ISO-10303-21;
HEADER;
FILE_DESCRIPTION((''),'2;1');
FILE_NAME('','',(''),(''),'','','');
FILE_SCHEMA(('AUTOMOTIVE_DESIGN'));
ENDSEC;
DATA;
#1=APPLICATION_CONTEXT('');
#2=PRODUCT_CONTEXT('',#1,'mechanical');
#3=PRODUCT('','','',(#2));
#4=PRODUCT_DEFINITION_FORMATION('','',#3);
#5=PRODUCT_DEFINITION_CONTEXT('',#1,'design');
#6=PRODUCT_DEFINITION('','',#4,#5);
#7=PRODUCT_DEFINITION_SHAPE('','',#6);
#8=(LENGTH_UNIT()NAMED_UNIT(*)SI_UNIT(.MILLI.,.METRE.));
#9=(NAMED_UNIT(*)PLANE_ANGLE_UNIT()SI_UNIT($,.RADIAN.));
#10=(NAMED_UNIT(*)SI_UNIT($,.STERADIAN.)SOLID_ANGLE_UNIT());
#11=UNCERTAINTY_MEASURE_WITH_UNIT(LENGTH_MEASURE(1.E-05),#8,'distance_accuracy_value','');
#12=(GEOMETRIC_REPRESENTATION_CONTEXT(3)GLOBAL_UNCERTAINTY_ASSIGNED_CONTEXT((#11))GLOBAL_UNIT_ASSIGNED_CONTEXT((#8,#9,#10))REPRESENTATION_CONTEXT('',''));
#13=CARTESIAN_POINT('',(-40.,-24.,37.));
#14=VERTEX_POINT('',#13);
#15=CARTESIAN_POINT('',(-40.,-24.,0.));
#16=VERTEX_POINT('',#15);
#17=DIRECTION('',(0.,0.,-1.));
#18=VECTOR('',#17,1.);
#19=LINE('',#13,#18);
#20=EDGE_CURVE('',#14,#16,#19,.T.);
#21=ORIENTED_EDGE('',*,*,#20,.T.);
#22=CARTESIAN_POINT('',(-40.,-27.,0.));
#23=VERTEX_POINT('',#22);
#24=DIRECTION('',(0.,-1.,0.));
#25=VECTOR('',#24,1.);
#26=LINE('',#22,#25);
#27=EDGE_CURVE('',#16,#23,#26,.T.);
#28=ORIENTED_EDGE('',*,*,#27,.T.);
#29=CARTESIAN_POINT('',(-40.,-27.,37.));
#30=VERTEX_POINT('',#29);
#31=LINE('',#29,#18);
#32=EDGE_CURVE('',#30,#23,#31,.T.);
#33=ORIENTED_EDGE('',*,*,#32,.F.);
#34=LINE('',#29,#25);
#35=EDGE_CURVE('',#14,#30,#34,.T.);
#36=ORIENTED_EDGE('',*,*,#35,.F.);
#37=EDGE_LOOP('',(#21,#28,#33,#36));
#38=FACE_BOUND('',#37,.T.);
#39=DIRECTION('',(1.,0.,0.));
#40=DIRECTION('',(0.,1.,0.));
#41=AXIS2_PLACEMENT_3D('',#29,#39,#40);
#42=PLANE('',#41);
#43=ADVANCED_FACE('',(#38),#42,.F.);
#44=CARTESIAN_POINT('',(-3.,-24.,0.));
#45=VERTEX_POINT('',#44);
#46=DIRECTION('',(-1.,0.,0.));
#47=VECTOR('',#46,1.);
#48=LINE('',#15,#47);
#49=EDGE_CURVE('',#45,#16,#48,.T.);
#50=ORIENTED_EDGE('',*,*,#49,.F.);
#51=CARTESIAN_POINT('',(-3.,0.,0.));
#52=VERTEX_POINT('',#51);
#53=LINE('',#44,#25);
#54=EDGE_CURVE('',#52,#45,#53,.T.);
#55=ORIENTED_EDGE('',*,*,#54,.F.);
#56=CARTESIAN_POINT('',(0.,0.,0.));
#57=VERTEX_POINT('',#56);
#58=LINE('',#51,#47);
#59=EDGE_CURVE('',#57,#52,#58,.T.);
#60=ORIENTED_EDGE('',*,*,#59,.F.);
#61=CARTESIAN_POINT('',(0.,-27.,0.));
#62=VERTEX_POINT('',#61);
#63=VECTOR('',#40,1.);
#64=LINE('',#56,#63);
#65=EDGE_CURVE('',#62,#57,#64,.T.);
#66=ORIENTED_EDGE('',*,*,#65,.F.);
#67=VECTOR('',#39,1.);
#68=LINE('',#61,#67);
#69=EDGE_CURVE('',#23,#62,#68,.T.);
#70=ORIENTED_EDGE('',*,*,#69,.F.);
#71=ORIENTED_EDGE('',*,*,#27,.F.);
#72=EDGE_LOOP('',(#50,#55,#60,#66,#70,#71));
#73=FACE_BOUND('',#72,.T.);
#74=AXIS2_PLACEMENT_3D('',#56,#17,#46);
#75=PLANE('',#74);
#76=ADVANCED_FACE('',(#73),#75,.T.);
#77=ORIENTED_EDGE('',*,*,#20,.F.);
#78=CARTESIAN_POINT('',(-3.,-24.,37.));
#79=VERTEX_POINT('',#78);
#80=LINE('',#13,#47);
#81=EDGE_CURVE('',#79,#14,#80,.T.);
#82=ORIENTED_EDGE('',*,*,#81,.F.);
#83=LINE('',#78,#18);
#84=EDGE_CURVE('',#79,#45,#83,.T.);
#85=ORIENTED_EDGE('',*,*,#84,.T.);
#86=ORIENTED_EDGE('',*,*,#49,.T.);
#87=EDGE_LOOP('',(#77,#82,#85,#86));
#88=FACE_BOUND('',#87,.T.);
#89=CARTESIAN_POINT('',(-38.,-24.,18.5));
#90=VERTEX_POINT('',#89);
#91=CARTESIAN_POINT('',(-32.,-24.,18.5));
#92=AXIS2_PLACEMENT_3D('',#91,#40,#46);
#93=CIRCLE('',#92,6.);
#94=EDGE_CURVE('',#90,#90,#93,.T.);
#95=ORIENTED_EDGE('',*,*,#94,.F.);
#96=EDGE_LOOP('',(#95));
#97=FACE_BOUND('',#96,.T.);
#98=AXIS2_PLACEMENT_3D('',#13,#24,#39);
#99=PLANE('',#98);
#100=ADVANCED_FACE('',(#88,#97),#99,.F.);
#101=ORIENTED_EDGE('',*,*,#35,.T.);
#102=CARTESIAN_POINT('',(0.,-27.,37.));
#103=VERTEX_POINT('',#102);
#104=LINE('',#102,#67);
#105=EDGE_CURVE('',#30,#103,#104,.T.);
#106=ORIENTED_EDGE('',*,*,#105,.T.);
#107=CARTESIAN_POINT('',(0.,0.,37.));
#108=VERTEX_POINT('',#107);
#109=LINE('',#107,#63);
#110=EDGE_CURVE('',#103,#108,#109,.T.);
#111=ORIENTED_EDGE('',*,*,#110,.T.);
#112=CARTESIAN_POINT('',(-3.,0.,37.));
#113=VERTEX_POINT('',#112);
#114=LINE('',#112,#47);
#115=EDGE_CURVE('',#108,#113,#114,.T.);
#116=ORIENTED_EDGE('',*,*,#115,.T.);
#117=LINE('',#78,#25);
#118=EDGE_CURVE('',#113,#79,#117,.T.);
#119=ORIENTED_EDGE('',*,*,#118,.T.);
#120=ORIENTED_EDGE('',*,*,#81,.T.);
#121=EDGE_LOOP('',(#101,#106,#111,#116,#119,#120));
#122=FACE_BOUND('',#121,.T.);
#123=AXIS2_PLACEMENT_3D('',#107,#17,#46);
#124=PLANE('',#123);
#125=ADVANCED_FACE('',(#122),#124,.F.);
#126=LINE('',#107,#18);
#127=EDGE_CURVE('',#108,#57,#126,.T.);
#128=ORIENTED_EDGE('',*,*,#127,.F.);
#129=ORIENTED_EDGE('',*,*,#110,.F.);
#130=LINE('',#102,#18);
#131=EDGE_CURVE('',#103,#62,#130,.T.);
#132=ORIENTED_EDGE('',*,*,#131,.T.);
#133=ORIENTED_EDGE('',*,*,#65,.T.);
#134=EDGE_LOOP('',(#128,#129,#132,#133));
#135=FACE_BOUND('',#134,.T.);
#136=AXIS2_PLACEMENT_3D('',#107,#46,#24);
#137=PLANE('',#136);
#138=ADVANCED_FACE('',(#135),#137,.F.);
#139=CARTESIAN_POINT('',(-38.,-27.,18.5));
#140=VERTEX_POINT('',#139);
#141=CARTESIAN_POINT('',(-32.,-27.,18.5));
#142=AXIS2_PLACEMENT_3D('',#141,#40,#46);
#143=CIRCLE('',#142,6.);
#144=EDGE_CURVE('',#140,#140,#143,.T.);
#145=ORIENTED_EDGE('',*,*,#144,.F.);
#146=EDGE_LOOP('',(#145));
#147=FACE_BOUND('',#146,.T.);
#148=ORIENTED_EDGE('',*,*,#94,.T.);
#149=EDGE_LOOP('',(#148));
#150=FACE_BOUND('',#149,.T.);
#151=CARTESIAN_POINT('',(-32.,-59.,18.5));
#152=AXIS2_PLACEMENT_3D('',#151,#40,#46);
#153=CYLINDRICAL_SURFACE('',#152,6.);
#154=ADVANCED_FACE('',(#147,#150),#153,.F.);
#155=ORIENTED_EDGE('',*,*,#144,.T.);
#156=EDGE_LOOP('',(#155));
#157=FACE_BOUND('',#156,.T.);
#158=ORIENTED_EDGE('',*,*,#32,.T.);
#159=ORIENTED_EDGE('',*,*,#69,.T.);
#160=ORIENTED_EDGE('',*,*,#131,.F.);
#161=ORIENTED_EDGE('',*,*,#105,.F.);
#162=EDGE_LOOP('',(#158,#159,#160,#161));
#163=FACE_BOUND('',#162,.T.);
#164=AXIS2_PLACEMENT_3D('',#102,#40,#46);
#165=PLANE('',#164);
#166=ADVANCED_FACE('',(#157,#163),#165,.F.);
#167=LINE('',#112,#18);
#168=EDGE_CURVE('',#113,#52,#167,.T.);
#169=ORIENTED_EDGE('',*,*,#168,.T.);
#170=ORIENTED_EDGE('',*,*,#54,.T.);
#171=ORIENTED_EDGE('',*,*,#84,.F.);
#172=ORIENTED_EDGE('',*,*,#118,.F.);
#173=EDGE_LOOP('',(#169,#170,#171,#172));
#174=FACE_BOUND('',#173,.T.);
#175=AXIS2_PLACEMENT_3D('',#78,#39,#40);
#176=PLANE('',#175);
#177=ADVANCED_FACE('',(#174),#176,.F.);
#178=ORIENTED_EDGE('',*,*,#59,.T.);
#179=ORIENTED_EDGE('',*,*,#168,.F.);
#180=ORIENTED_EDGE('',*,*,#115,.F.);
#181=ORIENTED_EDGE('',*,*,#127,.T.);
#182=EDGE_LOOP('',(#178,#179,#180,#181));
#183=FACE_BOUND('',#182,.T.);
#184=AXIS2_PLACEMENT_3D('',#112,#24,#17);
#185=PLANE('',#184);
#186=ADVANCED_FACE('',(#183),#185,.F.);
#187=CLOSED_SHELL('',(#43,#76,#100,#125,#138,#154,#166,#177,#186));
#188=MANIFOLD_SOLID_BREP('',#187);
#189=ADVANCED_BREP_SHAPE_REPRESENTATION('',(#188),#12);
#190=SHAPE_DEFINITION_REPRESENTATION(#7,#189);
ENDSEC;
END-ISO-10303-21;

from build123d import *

# Parameters (mm, degrees)
BOSS_EXTRUDE1_DEPTH = 37
SKETCH2_R           = 6
CUT_EXTRUDE1_DEPTH  = 35


with BuildPart() as part:
    # Sketch1 → Boss-Extrude1 (new body)
    with BuildSketch(Plane.XY):
        Polygon((0, 0), (0, -27), (-40, -27), (-40, -24), (-3, -24), (-3, 0), align=None)
    extrude(amount=BOSS_EXTRUDE1_DEPTH)

    # Sketch2 → Cut-Extrude1 (cut)
    with BuildSketch(Plane(origin=(0, -24, 0), x_dir=(1, 0, 0), z_dir=(0, 1, 0))):
        with Locations(Location((-32, -18.5, 0), (0, 0, 180))):
            Circle(SKETCH2_R)
    extrude(amount=-CUT_EXTRUDE1_DEPTH, mode=Mode.SUBTRACT)


solid = part.part
